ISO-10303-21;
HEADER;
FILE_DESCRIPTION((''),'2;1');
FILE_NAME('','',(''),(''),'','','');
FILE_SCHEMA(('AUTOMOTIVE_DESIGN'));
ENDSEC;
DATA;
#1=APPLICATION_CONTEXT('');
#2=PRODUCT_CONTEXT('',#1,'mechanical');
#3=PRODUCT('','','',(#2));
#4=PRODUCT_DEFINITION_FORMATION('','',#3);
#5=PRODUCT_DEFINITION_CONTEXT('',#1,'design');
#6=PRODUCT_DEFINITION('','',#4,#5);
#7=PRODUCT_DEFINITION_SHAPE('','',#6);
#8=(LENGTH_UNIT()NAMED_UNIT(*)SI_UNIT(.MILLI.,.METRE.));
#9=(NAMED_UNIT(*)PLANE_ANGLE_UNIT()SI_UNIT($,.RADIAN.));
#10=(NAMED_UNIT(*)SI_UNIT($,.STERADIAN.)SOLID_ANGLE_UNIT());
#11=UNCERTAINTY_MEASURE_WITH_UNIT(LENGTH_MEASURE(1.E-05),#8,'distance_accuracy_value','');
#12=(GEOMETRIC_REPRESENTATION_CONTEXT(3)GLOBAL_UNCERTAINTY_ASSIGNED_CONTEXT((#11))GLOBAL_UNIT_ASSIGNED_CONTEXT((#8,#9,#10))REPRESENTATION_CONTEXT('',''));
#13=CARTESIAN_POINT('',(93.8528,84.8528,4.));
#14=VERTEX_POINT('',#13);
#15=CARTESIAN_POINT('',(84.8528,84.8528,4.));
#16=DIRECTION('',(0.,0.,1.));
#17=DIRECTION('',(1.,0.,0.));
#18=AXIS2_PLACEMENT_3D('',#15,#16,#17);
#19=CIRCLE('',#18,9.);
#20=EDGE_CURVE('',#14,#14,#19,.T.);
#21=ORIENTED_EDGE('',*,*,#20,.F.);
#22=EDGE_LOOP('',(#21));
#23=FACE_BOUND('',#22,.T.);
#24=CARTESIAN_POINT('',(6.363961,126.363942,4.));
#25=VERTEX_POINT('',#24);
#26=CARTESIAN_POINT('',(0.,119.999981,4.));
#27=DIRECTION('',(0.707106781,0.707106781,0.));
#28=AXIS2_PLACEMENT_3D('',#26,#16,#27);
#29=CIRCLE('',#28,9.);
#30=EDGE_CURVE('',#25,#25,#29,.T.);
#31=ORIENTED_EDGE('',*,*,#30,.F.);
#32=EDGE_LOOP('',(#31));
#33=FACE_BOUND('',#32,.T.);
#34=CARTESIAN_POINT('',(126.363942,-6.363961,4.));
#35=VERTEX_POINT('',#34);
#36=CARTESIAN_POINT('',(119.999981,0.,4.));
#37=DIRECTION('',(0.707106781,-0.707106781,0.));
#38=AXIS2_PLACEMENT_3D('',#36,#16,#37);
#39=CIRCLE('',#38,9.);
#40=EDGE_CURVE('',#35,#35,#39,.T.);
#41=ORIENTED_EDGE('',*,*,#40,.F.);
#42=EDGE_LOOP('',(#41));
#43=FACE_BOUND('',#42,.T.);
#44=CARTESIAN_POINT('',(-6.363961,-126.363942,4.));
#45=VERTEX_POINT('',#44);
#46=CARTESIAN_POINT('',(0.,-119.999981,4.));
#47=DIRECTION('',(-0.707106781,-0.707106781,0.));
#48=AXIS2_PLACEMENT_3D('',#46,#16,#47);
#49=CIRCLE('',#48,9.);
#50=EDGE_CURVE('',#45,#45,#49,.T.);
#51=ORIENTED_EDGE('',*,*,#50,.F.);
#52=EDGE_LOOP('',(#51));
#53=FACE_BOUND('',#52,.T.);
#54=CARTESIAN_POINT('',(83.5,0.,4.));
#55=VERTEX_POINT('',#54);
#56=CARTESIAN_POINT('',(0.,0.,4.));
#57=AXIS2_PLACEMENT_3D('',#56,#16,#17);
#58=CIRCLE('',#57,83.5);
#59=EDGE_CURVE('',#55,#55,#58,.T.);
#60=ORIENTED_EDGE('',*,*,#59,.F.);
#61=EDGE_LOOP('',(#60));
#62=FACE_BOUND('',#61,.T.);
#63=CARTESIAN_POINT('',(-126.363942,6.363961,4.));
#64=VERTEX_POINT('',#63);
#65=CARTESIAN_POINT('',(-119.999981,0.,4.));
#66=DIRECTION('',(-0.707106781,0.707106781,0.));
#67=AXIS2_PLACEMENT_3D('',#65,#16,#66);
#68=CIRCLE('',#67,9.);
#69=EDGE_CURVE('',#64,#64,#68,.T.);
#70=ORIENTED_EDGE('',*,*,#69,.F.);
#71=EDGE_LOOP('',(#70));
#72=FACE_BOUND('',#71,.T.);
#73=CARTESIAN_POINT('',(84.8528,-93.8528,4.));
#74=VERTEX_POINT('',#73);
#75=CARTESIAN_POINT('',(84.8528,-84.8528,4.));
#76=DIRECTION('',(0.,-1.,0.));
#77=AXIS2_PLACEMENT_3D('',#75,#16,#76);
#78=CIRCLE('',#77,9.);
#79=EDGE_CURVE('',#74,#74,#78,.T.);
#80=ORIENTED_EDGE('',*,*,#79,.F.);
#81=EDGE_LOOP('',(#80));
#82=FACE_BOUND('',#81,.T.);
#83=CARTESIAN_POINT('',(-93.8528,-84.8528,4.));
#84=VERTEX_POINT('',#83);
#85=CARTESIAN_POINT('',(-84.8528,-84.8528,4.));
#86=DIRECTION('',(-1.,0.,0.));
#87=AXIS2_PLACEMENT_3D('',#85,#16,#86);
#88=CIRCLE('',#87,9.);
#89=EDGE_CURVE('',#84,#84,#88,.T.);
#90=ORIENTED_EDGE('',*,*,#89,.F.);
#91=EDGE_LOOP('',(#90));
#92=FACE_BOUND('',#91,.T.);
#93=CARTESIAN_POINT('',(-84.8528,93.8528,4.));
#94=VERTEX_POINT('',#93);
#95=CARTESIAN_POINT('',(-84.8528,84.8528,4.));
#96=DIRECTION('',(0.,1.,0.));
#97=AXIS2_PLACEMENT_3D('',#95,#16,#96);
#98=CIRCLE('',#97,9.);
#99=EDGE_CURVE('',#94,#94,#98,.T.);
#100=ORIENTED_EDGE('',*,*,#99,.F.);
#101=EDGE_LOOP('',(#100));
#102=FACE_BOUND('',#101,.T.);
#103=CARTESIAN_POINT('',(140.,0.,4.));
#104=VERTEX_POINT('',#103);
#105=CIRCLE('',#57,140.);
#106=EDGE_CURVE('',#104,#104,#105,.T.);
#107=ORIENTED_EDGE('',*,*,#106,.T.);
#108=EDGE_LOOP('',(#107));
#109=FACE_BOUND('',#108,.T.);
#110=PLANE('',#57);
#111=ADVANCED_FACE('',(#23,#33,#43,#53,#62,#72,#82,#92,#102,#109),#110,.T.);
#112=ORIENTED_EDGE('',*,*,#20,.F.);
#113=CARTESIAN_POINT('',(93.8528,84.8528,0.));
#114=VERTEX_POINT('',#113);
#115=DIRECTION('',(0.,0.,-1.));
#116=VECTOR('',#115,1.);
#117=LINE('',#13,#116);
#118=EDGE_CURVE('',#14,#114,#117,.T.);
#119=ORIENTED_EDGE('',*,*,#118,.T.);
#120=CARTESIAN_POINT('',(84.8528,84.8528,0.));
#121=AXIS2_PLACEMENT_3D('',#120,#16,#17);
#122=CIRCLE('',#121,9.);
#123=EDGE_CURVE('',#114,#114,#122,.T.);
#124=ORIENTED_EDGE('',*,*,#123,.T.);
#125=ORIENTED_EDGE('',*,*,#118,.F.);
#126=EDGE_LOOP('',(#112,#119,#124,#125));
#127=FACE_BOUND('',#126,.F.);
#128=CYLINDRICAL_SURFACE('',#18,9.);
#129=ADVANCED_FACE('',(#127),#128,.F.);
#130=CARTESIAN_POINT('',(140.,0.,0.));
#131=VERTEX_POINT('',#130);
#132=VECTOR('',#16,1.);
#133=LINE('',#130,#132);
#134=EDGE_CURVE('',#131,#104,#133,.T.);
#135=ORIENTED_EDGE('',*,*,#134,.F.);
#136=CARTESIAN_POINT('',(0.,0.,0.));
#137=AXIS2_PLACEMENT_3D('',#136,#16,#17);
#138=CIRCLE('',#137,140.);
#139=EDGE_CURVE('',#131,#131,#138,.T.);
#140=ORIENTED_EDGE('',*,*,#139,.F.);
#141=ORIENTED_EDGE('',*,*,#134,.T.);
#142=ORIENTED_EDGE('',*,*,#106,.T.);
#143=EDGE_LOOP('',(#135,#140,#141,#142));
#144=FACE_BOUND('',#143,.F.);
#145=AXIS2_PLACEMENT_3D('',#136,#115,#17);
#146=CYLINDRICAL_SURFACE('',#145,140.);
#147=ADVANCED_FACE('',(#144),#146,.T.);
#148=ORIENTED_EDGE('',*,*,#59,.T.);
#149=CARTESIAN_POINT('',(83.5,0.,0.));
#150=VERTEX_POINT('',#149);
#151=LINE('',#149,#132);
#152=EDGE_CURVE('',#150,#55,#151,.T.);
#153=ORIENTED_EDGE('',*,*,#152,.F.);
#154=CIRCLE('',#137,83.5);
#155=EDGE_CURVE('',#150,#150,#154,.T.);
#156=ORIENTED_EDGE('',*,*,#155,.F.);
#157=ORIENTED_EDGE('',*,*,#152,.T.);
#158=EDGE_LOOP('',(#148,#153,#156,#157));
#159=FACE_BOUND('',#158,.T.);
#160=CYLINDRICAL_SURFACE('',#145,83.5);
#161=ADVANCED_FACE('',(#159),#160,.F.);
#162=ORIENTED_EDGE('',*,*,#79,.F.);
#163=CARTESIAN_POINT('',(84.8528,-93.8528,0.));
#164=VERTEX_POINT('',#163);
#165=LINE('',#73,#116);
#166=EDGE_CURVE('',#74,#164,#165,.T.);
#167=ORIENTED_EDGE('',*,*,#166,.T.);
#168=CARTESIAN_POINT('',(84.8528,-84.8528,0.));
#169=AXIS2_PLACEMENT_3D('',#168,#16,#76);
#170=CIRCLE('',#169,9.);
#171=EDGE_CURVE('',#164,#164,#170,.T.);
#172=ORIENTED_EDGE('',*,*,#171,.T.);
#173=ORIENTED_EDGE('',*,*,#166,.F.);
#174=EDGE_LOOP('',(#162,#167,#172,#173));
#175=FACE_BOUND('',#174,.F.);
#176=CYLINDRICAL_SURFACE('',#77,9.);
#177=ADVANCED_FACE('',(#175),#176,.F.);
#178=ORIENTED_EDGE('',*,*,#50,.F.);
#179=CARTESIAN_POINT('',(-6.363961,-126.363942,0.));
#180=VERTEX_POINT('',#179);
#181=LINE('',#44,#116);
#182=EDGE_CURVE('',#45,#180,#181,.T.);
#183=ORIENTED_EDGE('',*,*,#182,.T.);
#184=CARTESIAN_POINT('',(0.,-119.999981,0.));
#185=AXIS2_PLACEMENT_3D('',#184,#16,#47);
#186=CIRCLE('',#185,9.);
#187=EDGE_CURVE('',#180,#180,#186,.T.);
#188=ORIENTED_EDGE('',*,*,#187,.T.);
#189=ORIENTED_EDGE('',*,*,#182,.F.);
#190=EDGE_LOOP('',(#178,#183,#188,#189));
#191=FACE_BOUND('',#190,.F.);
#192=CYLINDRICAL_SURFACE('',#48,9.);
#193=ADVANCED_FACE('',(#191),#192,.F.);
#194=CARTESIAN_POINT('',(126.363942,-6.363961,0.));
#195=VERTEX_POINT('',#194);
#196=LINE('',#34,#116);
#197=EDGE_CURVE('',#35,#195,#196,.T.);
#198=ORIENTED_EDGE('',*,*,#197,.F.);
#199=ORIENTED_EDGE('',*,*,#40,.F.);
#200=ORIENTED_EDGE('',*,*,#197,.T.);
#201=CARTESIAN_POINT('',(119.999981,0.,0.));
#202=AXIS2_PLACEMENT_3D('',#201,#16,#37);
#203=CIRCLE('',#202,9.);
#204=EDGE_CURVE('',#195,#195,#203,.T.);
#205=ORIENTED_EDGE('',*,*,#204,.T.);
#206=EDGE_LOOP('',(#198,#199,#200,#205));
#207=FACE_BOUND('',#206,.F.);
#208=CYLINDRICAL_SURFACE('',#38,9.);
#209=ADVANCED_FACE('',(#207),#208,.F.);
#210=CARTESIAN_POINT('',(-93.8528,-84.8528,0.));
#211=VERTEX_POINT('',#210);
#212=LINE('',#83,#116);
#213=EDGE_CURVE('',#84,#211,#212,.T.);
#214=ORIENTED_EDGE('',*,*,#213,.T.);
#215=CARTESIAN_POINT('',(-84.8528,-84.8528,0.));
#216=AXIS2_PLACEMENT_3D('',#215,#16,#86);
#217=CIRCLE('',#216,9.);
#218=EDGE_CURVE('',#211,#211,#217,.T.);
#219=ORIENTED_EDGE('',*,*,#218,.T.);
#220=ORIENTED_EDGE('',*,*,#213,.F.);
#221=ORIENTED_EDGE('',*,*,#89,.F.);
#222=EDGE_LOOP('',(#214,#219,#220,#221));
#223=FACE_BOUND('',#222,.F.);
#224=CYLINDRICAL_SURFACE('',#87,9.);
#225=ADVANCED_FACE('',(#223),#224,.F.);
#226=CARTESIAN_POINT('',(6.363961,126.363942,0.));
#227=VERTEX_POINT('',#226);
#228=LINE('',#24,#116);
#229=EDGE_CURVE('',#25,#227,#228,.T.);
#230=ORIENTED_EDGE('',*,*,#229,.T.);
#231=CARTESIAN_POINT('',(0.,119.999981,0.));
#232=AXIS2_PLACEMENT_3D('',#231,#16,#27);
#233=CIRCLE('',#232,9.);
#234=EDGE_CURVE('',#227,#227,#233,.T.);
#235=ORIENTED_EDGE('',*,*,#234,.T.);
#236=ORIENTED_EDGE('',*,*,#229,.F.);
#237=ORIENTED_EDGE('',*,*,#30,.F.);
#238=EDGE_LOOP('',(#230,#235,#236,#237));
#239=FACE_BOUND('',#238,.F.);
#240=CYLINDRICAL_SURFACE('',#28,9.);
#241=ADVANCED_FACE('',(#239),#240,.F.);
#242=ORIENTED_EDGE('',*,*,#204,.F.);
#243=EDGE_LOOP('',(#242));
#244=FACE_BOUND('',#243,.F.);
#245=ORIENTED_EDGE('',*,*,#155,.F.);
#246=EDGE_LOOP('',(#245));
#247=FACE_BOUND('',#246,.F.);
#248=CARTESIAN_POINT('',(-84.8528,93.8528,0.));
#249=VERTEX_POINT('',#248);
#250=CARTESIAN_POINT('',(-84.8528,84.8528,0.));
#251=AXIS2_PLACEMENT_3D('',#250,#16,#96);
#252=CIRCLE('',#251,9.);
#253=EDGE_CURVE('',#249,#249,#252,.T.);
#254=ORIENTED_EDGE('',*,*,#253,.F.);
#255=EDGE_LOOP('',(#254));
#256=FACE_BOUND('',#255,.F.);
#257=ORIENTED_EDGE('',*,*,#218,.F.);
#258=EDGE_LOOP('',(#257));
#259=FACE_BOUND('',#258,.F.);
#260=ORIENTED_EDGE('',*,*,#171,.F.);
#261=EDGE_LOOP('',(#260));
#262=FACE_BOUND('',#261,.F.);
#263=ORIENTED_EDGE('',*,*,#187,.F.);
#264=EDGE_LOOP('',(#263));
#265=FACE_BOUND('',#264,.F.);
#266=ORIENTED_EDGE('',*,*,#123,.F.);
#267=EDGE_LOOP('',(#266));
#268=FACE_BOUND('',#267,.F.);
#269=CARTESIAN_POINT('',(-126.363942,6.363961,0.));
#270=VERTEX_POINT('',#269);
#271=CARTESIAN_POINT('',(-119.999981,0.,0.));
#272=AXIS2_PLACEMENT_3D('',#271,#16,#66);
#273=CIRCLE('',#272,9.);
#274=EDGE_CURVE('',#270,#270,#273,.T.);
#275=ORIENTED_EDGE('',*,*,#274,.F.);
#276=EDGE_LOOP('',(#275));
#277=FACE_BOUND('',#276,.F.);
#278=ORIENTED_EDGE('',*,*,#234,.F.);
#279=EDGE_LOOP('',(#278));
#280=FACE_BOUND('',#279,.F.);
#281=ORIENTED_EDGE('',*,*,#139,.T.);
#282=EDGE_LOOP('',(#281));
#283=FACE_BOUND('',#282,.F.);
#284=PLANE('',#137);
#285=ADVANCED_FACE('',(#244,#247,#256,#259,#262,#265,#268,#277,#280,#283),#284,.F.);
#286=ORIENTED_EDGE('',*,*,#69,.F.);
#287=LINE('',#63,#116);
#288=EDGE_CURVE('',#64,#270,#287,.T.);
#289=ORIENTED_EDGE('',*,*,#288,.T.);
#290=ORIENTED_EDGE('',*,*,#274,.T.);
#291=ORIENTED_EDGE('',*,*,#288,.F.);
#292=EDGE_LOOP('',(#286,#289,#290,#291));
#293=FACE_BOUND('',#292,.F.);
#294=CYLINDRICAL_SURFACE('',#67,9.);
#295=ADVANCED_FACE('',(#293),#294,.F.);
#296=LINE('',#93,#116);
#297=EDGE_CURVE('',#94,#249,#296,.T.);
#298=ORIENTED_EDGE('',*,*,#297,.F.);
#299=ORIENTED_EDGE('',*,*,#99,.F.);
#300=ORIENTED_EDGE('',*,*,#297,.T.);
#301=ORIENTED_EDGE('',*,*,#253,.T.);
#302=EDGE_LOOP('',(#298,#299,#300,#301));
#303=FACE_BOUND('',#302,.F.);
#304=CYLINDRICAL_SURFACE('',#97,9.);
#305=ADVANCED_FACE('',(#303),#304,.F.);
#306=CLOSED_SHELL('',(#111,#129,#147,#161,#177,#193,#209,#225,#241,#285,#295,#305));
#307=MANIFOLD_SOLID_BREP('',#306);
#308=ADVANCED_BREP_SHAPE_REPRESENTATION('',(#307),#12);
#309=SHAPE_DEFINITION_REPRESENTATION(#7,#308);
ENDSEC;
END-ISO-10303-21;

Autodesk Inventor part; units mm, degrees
ref_plane "YZ Plane" through (0, 0, 0) normal (1, 0, 0) x (0, 1, 0)
ref_plane "XZ Plane" through (0, 0, 0) normal (0, 1, 0) x (-1, 0, 0)
ref_plane "XY Plane" through (0, 0, 0) normal (0, 0, 1) x (1, 0, 0)
sketch "Sketch1" plane through (0, 0, 0) normal (0, 0, 1) x (1, 0, 0)
  circle A0 centre (0, 0) radius 83.5
  circle A1 centre (0, 0) radius 140
  dimension "d22" = 167
  dimension "d23" = 280
extrude "Plate1" add sketch "Sketch1" along normal blind 4
sketch "Sketch5" plane through (0, 0, 4) normal (0, 0, 1) x (1, 0, 0)
  circle A0 centre (84.8528, 84.8528) radius 9
  circle A1 centre (0, 0) radius 120 construction
  line L0 (84.8528, 84.8528) -> (0, 0) construction
  line L1 (0, 0) -> (0, 120) construction
  dimension "d24" = 18
  dimension "d25" = 240
  dimension "d31" = 45
extrude "Cut1" cut sketch "Sketch5" against normal blind 4
pattern_circular "Circular Pattern1" count 8 over 360 about axis through (0, 0, 0) along (0, 0, 1) of "Cut1"
equation "\"d22\" = Flange_Tube_diam"
equation "\"d23\" = Flange_D_outer"
equation "\"d24\" = Flange_d_hole_diam"
equation "\"d25\" = Flange_D1_hole_center"
equation "\"d26\" = Thickness"
equation "\"d2\" = Thickness"
equation "\"BendReliefWidth\" = Thickness"
equation "\"BendReliefDepth\" = 0.5 * Thickness"
equation "\"CornerReliefSize\" = 4 * Thickness"
equation "\"MinimumRemnant\" = 2 * Thickness"
equation "\"TransitionRadius\" = BendRadius"
equation "\"JacobiRadiusSize\" = BendRadius"
equation "\"GapSize\" = Thickness"
equation "\"Flange_D_outer\" = 280"
equation "\"Flange_D1_hole_center\" = 240"
equation "\"Flange_d_hole_diam\" = 18"
equation "\"Flange_Tube_diam\" = 167"
equation "\"Thickness\" = 4"
equation "\"BendRadius\" = 6"
properties part number "drain flange" material "Stainless Steel"
